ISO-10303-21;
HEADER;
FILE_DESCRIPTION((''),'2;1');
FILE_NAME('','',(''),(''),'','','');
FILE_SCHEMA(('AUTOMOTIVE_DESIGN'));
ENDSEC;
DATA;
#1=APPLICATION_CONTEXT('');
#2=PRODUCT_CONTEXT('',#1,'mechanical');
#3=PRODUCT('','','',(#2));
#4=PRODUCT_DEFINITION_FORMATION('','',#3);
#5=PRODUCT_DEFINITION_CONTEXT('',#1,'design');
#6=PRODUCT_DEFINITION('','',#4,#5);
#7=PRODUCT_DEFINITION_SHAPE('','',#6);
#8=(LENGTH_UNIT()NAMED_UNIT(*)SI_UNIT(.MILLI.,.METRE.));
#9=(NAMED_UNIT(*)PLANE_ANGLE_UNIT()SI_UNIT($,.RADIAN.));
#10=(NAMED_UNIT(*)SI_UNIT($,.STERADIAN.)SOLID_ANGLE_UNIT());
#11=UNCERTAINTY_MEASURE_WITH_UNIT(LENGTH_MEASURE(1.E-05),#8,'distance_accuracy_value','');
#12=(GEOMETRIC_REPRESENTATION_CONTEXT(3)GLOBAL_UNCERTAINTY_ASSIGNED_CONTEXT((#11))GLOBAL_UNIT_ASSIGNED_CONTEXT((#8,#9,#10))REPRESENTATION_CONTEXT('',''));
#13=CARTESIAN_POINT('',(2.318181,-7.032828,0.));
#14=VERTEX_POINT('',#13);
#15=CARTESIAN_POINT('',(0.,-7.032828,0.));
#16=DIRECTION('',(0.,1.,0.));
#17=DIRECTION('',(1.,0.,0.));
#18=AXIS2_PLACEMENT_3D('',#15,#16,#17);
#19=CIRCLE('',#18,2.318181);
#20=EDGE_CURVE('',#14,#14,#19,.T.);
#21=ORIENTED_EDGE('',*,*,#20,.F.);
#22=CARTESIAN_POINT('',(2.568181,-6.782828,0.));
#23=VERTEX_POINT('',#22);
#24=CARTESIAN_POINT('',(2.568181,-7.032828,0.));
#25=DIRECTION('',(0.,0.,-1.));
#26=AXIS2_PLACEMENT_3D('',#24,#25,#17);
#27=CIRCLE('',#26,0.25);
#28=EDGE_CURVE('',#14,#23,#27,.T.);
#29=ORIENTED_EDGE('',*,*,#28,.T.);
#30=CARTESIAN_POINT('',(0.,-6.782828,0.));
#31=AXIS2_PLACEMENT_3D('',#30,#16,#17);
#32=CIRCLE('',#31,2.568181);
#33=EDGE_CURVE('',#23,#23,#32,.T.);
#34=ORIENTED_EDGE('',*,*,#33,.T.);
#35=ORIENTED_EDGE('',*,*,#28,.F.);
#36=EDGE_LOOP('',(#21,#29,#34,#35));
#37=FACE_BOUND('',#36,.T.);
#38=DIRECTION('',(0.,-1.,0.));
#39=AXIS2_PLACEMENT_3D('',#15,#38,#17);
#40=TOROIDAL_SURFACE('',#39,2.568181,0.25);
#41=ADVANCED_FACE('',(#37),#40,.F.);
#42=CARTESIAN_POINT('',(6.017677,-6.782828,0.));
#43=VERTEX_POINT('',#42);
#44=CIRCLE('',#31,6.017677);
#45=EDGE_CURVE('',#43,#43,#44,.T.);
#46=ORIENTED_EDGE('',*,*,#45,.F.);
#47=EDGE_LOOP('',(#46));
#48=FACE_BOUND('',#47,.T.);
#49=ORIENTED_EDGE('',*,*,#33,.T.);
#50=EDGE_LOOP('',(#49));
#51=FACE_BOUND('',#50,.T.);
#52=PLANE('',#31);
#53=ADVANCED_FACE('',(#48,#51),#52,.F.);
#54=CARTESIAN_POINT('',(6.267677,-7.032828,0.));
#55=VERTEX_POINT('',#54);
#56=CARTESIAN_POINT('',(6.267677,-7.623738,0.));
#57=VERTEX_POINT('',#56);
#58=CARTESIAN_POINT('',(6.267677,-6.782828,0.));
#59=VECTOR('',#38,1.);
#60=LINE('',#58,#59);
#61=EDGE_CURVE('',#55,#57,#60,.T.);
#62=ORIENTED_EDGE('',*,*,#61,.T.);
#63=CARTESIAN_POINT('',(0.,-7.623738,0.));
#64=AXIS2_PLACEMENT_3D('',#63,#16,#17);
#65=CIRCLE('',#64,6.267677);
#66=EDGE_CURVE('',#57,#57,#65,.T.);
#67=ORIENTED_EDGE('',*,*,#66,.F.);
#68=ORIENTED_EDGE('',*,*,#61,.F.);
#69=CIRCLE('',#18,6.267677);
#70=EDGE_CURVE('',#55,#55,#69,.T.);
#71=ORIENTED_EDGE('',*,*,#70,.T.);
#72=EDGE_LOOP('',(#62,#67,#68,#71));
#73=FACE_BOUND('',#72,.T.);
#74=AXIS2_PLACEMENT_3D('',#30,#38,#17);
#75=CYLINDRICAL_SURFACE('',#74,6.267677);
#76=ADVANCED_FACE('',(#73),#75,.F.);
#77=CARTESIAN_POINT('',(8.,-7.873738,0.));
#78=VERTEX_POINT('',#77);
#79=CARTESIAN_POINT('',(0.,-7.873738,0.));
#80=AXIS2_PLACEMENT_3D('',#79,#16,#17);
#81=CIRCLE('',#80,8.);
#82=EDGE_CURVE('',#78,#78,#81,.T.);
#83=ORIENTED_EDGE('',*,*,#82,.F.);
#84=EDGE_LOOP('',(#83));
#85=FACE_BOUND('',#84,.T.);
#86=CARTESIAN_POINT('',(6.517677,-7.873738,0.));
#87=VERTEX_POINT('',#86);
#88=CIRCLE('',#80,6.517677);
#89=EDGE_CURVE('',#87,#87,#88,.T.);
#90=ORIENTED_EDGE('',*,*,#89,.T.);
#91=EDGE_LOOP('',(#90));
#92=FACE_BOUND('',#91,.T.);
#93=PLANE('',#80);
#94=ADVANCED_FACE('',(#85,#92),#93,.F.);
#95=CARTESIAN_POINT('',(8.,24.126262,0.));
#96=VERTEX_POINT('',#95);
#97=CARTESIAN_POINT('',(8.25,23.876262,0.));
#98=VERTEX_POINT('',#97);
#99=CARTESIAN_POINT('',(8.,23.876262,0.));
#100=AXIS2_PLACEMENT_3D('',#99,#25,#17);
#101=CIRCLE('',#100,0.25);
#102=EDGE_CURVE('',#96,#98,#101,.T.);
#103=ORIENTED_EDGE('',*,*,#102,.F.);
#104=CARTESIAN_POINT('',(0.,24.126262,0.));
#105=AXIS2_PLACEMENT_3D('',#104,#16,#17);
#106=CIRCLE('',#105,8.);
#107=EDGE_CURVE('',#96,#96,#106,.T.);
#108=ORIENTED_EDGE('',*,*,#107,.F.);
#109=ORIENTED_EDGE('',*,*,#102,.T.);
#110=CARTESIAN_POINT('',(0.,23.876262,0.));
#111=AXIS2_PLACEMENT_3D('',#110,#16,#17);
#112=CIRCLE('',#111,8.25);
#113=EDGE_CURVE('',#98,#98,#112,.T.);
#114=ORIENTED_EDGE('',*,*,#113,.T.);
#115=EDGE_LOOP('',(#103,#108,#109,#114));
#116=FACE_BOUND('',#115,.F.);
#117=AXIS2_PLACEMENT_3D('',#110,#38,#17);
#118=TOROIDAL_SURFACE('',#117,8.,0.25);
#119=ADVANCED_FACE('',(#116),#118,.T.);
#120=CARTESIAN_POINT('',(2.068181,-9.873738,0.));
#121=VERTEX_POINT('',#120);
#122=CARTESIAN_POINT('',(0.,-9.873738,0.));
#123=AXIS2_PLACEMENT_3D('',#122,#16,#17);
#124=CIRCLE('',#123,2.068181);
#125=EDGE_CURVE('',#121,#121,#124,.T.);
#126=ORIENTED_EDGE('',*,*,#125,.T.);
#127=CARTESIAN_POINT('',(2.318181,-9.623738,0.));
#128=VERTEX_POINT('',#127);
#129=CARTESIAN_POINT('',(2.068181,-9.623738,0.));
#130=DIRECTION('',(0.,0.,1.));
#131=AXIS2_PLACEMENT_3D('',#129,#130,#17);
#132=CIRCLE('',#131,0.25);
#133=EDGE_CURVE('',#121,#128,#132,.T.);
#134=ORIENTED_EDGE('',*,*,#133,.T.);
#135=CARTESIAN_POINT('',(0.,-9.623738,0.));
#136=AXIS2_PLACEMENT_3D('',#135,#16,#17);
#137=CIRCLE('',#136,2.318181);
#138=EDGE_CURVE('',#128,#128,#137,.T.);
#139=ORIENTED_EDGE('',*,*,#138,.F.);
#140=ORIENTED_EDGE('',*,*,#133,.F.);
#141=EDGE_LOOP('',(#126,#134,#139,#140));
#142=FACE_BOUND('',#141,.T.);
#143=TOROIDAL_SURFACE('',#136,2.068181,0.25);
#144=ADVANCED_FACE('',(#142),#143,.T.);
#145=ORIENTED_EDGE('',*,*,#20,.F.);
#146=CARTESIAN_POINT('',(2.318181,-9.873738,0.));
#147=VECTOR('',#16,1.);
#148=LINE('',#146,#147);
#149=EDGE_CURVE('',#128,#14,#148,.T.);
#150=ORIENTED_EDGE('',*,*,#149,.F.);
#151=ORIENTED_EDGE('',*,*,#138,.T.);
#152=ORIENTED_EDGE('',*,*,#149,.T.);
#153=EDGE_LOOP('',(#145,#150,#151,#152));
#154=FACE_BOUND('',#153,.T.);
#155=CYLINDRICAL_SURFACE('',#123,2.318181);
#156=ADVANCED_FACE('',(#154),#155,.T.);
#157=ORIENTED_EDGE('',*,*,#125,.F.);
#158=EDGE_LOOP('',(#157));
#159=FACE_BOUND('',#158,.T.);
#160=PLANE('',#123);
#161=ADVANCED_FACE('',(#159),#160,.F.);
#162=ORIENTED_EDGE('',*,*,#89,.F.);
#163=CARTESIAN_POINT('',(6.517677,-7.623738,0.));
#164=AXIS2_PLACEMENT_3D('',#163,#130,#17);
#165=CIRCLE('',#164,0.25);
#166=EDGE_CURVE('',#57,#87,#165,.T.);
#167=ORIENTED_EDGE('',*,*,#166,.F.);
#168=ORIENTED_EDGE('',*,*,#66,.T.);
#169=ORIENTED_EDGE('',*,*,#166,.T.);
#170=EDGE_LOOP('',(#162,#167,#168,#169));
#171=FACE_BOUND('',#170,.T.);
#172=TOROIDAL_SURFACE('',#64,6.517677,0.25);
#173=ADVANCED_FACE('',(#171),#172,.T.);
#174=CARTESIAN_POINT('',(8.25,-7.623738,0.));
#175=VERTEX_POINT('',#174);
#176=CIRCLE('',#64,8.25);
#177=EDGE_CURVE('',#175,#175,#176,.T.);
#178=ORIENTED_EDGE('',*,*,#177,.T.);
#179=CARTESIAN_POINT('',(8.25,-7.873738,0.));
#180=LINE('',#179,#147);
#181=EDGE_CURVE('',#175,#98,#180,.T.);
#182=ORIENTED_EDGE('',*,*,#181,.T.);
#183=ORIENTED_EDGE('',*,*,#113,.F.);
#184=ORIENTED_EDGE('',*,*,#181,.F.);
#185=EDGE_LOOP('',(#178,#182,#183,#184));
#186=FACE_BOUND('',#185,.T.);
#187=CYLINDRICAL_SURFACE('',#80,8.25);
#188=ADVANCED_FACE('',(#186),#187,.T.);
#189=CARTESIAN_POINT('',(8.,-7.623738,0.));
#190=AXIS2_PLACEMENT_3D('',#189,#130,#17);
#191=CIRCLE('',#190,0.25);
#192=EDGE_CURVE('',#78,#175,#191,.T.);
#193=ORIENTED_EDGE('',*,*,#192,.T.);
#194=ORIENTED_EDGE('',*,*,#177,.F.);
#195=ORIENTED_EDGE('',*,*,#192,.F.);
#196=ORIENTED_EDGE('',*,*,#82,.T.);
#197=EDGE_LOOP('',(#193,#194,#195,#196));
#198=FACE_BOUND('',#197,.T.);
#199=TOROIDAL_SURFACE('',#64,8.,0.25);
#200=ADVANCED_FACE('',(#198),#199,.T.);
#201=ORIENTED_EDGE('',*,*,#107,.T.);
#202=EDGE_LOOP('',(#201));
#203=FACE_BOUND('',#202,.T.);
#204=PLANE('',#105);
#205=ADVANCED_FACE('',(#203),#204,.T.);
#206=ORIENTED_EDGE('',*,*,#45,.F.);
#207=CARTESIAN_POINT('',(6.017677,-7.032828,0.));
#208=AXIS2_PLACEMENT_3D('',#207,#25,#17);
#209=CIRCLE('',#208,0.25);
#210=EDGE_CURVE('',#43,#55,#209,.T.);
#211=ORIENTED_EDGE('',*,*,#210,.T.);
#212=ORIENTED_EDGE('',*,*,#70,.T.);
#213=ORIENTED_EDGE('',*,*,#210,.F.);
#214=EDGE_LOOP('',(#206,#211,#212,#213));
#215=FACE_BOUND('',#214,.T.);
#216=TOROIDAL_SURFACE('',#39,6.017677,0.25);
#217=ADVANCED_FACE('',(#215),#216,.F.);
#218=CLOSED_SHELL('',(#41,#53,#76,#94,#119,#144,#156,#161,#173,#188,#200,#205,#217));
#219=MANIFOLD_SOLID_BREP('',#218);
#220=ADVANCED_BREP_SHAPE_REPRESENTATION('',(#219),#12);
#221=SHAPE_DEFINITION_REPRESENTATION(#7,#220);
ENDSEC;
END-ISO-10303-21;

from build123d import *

# Parameters (mm, degrees)
F2_R = 0.25


with BuildPart() as f1:
    # F0 (on Top) → F1 (revolve)
    with BuildSketch(Plane.XY):
        Polygon((8.25, 24.126262), (0, 24.126262), (0, -9.873738), (2.318181, -9.873738), (2.318181, -6.782828), (6.267677, -6.782828), (6.267677, -7.873738), (8.25, -7.873738), align=None)
    revolve(axis=Axis((0, 7.126262, 0), (0, 1, 0)))

    # F2
    f2_edges = [f1.edges().sort_by_distance(p)[0] for p in [
        (-8.25, 24.126262, 0),
        (-8.25, -7.873738, 0),
        (-6.267677, -7.873738, 0),
        (-6.267677, -6.782828, 0),
        (-2.318181, -6.782828, 0),
        (-2.318181, -9.873738, 0),
    ]]
    fillet(f2_edges, radius=F2_R)


solid = f1.part
